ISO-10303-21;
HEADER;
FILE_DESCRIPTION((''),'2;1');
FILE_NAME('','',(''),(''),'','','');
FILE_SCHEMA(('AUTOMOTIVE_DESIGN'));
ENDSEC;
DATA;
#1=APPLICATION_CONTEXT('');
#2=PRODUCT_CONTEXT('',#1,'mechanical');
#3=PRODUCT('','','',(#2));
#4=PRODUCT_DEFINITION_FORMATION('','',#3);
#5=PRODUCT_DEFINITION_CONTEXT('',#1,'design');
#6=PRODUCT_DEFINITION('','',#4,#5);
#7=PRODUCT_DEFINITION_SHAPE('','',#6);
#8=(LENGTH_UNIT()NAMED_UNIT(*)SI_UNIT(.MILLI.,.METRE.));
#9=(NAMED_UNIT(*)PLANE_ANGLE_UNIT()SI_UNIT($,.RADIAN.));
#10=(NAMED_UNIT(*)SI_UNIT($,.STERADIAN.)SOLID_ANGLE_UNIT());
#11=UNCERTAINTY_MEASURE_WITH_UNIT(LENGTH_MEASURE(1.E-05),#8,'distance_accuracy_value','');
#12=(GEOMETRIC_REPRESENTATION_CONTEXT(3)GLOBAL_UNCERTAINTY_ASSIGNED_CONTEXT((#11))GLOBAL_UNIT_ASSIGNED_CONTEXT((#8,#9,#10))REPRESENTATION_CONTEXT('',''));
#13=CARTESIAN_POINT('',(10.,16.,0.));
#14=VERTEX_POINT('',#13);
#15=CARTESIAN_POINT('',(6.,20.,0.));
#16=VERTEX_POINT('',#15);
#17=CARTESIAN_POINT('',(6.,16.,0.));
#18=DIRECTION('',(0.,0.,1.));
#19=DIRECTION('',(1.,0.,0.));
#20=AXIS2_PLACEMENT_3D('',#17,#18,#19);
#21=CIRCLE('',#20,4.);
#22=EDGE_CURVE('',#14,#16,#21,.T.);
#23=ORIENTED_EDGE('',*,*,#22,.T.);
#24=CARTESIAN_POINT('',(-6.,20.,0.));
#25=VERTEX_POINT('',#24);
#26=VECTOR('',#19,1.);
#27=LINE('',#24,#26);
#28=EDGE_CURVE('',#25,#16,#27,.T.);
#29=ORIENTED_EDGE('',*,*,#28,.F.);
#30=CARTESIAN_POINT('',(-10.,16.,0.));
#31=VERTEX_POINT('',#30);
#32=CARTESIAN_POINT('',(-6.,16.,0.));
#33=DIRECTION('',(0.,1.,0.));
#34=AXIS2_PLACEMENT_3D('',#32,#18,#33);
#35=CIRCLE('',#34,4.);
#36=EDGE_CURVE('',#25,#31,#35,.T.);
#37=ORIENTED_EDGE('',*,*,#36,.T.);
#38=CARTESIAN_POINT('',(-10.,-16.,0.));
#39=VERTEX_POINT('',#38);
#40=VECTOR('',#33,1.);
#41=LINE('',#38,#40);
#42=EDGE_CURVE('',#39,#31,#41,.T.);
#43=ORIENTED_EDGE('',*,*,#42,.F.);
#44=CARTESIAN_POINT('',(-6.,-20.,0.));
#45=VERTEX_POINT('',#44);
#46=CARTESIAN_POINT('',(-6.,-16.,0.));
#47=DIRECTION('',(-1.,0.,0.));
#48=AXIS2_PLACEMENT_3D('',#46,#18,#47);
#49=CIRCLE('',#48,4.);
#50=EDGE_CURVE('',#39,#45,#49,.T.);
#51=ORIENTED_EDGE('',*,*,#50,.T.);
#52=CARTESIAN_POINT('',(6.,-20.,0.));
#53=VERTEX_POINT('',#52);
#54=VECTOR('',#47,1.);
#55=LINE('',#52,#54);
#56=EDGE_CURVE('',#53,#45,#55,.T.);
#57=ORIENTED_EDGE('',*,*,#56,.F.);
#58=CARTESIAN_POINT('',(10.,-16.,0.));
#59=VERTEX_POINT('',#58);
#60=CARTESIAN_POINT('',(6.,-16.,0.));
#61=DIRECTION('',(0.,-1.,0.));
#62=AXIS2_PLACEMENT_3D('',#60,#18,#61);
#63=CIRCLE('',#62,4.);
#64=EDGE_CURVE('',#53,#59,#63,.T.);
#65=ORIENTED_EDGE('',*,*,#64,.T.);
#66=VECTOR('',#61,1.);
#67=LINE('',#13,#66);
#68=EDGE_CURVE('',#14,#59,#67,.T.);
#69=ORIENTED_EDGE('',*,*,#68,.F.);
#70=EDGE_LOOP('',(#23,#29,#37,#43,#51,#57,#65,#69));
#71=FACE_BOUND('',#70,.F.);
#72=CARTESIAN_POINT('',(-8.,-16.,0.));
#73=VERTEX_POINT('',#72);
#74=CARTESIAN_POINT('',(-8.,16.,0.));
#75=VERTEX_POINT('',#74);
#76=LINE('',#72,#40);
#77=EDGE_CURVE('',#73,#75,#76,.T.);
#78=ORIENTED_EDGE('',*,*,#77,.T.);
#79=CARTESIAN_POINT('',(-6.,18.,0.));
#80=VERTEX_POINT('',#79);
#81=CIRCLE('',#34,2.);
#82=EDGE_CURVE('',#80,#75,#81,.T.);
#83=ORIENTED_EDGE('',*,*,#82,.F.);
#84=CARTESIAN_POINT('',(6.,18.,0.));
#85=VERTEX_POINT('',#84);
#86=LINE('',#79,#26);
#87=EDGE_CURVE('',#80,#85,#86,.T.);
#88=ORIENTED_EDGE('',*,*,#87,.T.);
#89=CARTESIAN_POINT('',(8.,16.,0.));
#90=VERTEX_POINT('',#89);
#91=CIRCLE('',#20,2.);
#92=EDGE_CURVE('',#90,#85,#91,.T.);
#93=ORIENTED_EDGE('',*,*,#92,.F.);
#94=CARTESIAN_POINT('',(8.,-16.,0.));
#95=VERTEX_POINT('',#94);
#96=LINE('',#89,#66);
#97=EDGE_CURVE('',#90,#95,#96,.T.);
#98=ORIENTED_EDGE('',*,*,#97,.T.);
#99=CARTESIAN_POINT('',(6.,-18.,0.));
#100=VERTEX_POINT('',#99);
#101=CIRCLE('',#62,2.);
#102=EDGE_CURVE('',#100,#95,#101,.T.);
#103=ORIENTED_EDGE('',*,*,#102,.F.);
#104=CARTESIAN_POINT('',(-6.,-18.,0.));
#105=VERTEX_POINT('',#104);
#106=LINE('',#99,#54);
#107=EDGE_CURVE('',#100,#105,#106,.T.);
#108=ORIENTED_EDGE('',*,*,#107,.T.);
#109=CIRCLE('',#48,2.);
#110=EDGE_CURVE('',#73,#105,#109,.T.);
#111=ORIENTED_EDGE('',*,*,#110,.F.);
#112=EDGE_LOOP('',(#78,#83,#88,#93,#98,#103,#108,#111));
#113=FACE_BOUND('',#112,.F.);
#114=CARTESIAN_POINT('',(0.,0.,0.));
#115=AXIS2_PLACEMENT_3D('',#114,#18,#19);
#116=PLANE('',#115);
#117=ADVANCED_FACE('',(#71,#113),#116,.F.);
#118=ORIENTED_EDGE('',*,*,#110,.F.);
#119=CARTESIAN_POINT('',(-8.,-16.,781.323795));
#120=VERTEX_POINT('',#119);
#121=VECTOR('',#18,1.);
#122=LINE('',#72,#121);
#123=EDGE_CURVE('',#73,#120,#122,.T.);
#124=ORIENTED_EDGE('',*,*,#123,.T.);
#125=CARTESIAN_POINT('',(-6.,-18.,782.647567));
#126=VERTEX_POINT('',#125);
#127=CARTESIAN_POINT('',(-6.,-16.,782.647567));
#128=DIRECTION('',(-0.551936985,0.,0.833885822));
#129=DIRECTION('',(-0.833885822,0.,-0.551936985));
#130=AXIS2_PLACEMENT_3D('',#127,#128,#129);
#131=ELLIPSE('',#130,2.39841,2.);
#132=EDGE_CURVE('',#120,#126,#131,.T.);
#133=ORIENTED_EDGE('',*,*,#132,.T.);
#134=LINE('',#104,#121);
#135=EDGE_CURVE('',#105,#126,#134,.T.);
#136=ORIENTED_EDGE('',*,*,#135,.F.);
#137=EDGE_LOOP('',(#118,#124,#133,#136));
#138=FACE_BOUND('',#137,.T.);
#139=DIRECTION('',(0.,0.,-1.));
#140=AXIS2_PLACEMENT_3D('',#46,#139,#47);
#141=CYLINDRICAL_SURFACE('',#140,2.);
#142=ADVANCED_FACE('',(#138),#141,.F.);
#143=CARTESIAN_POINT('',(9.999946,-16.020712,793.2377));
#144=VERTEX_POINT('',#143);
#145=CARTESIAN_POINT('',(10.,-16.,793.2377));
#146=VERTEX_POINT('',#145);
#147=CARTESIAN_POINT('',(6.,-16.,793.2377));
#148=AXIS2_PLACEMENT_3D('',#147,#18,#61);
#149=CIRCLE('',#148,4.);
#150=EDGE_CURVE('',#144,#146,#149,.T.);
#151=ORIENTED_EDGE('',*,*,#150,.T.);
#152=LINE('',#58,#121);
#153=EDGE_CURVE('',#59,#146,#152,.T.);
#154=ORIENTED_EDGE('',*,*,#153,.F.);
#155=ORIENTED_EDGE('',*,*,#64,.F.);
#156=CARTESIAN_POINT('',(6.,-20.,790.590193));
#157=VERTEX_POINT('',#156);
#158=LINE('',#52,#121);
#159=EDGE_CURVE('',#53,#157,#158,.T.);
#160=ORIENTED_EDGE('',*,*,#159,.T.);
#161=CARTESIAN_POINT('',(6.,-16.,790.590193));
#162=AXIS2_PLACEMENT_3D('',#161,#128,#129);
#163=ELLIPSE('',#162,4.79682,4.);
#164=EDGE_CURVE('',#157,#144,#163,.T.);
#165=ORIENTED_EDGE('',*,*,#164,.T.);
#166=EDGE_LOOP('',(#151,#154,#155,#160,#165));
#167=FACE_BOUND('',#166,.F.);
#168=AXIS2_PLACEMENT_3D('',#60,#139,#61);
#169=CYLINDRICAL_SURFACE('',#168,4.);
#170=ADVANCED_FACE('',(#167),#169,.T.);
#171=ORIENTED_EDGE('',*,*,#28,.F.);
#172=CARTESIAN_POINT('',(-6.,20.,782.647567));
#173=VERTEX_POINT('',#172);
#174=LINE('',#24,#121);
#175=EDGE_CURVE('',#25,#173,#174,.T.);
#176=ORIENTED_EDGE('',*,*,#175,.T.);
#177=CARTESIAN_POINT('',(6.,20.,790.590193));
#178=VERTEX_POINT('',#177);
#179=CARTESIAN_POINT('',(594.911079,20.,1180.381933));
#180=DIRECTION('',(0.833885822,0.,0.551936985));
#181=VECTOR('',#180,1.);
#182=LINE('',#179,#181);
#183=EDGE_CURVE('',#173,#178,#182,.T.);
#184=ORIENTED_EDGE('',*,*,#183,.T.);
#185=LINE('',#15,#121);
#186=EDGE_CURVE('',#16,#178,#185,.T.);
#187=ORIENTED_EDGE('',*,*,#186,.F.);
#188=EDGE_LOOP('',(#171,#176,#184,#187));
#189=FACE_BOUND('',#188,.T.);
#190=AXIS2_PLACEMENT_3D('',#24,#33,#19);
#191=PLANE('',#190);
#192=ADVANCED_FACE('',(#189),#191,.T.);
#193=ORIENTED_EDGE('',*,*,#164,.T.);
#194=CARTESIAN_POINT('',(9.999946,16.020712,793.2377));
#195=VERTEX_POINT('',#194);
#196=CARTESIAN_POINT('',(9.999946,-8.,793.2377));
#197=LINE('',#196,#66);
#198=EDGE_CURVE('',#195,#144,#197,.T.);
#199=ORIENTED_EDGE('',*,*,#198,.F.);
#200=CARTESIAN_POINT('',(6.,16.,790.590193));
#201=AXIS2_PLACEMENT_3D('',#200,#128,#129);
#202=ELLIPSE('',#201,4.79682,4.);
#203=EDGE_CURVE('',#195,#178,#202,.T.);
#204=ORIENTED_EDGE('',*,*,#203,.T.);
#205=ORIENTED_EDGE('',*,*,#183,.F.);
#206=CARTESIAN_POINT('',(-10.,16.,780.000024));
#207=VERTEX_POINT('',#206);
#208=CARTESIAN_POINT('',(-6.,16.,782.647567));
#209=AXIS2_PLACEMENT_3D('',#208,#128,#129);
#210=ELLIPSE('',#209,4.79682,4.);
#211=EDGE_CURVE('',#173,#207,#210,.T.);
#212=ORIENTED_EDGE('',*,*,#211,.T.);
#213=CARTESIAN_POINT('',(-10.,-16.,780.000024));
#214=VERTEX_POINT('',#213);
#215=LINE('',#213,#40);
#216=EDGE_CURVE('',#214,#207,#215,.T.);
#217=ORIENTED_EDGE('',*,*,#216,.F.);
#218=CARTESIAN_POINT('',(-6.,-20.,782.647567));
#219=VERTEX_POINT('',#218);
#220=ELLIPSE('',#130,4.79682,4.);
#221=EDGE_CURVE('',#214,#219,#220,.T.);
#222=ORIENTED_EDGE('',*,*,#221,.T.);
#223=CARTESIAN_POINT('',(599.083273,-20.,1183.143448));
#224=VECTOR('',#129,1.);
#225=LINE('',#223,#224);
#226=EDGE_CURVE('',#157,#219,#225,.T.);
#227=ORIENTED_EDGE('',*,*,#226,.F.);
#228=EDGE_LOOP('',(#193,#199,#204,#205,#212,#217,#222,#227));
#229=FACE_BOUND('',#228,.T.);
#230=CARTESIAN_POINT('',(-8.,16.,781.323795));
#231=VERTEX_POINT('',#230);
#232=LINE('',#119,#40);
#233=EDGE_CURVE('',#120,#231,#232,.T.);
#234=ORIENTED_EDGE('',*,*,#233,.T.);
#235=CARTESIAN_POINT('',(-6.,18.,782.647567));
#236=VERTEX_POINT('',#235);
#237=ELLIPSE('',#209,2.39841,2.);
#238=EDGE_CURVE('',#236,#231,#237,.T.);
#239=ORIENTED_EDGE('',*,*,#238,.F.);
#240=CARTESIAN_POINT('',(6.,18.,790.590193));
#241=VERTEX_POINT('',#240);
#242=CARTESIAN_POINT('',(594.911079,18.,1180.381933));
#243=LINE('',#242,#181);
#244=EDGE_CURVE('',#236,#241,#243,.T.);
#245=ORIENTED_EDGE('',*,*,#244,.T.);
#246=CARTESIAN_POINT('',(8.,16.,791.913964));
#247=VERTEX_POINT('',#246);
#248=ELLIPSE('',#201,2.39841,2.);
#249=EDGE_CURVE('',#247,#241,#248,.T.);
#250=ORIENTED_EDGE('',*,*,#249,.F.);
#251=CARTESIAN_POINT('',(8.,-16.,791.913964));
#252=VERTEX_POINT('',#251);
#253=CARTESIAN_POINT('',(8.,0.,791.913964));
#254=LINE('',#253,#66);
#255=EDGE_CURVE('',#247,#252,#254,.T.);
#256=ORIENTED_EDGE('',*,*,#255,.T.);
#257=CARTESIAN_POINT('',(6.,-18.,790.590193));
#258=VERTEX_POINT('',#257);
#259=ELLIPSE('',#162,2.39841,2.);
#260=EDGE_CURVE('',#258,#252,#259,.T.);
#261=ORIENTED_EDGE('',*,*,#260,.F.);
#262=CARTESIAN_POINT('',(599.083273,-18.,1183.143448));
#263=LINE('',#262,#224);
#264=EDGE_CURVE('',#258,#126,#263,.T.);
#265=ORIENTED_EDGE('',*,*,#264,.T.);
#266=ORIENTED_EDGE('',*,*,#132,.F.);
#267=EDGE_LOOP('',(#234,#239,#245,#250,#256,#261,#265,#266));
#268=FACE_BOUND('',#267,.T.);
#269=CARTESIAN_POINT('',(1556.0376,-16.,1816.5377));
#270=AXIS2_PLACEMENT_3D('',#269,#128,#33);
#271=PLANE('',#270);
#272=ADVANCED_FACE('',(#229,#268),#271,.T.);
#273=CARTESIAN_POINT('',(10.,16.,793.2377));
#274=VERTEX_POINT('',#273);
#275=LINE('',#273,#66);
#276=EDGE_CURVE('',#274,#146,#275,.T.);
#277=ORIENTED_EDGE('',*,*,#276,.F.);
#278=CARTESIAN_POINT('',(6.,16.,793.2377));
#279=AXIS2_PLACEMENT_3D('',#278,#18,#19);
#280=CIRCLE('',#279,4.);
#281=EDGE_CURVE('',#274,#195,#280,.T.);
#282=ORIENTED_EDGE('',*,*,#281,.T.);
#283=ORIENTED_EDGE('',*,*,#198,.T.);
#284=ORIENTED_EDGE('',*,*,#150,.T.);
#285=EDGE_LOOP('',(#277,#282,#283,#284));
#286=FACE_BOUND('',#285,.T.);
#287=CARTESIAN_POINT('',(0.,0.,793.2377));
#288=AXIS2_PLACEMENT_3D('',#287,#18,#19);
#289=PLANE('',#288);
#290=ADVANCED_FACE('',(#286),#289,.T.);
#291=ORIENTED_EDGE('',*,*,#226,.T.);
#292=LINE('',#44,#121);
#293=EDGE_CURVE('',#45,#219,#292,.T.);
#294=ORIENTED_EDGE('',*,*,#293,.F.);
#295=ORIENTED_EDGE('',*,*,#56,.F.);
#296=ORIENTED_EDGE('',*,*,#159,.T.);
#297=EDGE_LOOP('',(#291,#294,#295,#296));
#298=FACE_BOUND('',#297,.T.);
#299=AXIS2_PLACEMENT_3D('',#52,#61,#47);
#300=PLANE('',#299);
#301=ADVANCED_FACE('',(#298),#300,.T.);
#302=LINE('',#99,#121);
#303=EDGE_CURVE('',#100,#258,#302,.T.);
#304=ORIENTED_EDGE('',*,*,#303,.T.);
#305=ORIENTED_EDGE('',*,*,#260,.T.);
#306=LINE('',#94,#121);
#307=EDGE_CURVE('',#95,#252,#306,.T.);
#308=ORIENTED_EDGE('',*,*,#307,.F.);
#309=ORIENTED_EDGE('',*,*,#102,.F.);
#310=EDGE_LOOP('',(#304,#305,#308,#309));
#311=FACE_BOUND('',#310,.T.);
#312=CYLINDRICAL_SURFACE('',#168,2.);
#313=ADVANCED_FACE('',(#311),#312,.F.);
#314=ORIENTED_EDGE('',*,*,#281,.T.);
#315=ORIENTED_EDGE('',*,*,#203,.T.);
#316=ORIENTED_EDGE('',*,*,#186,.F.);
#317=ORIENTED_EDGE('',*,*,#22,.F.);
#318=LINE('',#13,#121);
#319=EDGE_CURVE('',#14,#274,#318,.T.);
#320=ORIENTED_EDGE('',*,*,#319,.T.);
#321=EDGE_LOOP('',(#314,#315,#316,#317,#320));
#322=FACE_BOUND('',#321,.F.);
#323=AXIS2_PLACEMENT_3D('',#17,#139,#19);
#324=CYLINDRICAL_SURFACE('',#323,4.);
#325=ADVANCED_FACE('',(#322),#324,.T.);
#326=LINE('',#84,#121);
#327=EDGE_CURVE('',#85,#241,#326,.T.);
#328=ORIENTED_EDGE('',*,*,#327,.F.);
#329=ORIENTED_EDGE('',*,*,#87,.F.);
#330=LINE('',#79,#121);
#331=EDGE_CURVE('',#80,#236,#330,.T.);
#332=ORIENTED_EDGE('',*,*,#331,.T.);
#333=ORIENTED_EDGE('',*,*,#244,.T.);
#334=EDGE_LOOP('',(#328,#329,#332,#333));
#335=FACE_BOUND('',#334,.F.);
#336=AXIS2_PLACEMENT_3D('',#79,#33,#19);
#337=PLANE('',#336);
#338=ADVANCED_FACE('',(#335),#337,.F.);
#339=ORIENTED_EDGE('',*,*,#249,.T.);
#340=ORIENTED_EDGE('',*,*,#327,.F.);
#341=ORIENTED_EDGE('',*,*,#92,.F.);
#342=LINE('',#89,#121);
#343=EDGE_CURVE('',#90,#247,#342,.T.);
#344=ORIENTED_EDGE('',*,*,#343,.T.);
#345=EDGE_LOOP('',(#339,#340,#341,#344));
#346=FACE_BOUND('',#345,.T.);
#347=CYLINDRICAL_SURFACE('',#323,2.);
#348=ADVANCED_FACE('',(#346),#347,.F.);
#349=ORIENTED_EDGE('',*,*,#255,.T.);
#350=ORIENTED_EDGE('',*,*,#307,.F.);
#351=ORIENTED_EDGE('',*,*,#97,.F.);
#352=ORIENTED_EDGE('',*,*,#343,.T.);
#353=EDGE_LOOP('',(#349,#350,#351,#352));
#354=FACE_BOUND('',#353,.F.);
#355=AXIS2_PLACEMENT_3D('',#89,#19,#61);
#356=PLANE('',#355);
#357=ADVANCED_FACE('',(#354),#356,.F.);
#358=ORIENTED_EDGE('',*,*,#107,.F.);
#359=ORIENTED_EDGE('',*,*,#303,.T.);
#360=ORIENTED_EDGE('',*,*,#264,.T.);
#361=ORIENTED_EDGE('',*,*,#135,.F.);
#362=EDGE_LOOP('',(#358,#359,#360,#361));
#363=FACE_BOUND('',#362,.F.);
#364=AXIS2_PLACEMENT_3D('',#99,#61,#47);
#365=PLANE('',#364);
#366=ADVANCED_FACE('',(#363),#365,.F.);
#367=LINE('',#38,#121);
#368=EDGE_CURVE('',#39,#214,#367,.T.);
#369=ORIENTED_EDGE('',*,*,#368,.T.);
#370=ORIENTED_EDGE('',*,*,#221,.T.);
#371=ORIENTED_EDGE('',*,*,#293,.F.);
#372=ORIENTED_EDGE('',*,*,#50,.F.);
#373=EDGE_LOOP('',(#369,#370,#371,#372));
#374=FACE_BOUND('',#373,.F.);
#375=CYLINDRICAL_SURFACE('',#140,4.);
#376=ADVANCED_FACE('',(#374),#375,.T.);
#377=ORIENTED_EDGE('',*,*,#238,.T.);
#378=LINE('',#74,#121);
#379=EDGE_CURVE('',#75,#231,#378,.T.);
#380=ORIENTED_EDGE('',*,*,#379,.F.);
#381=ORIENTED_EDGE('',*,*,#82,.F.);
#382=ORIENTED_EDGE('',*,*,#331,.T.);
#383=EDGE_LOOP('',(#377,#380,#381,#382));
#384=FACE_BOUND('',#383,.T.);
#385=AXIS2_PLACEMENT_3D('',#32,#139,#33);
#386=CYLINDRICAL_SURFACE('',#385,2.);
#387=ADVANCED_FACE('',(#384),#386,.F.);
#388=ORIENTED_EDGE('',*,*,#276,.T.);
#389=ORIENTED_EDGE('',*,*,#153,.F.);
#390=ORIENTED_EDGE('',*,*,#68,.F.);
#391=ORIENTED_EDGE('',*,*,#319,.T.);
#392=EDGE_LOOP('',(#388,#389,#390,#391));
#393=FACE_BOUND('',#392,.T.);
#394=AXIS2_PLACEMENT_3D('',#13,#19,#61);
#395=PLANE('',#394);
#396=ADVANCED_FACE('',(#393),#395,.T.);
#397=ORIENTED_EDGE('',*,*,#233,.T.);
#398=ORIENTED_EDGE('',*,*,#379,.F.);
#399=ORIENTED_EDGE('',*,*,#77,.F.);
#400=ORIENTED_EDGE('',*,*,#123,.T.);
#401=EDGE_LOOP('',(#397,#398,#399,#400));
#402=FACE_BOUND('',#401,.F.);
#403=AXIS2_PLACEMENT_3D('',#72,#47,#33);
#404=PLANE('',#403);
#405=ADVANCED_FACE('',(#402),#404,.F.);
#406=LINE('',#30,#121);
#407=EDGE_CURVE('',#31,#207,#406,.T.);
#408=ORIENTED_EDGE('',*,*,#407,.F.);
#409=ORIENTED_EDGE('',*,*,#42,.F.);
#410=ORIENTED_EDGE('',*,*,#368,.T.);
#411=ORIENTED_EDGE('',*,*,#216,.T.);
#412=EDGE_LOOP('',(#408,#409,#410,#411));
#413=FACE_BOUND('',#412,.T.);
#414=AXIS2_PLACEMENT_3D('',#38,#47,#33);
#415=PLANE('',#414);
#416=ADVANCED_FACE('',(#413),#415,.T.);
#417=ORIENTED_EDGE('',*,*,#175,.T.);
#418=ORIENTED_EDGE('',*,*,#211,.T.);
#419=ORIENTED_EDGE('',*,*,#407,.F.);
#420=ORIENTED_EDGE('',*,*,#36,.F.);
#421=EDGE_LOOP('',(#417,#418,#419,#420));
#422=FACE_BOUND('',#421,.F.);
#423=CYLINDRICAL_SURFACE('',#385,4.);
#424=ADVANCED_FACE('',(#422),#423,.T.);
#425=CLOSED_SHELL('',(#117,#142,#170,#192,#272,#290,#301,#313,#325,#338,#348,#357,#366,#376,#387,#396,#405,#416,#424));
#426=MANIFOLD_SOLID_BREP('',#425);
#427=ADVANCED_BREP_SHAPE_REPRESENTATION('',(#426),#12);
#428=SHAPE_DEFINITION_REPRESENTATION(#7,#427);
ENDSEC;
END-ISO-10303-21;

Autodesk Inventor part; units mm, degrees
ref_plane "Start Plane" through (0, 0, 0) normal (0, 0, 1) x (1, 0, 0)
ref_plane "End Plane" through (0, 0, 793.2377) normal (0, 0, 1) x (1, 0, 0)
sketch "Sketch" plane through (0, 0, 0) normal (0, 0, 1) x (1, 0, 0)
  line L0 (-10, -16) -> (-10, 16)
  line L1 (-6, 20) -> (6, 20)
  line L2 (10, 16) -> (10, -16)
  line L3 (6, -20) -> (-6, -20)
  arc A0 (-10, -16) -> (-6, -20) centre (-6, -16) ccw
  arc A1 (10, 16) -> (6, 20) centre (6, 16) ccw
  arc A2 (-6, 20) -> (-10, 16) centre (-6, 16) ccw
  arc A3 (6, -20) -> (10, -16) centre (6, -16) ccw
  arc A4 (-6, 18) -> (-8, 16) centre (-6, 16) ccw
  line L4 (-6, 18) -> (6, 18)
  arc A5 (8, 16) -> (6, 18) centre (6, 16) ccw
  line L5 (8, 16) -> (8, -16)
  arc A6 (6, -18) -> (8, -16) centre (6, -16) ccw
  line L6 (6, -18) -> (-6, -18)
  arc A7 (-8, -16) -> (-6, -18) centre (-6, -16) ccw
  line L7 (-8, -16) -> (-8, 16)
  line L8 (0, 29.1598) -> (0, -29.1598) construction
  line L9 (-15.1598, 0) -> (15.1598, 0) construction
  dimension "d7" = 4
  dimension "d9" = 20
  dimension "d11" = 40
  dimension "d12" = 2
  dimension "d15" = 10
  dimension "d16" = 20
extrude "Body" add sketch "Sketch" along normal up to surface (793.2377 mm away) from surface at 0
sketch "Sketch3" plane through (0, 0, 0) normal (0, 0, 1) x (1, 0, 0)
  line L0 (0, 0) -> (10, 0)
ref_plane "Work Plane3" through (0, 0, 0) normal (0, -1, 0) x (1, 0, 0)
ref_plane "Work Plane4" through (1556.0376, -16, 1816.5377) normal (-0.5519, 0, 0.8339) x (0.8339, 0, 0.5519)
split "Split1" plane through (1556.0376, -16, 1816.5377) removes the side toward (-0.5519, 0, 0.8339)
sketch "Sketch4" plane through (0, 0, 0) normal (0, -1, 0) x (1, 0, 0)
  line L0 (-2, 0) -> (12, 0) projected
  line L1 (-2, 793.2377) -> (12, 793.2377) projected
  dimension "d18" = 793.2377
equation "\"d7\" = G_IR"
equation "\"d9\" = G_W"
equation "\"d11\" = G_H"
equation "\"d12\" = G_T"
equation "\"d15\" = 0.5 * d9"
equation "\"d16\" = 0.5 * d11"
equation "\"d3\" = G_L"
equation "\"G_W\" = 20"
equation "\"G_H\" = 40"
equation "\"G_T\" = 2"
equation "\"G_IR\" = 4"
equation "\"G_L\" = d18"
equation "\"G_OFFSET_START\" = 0"
equation "\"G_OFFSET_END\" = 13.23771"
equation "\"d14\" = G_OFFSET_END + B_L"
equation "\"B_L\" = 780"
properties part number "ISO 4019 - 40x20x2 - 793,24" material "Steel, Mild"
